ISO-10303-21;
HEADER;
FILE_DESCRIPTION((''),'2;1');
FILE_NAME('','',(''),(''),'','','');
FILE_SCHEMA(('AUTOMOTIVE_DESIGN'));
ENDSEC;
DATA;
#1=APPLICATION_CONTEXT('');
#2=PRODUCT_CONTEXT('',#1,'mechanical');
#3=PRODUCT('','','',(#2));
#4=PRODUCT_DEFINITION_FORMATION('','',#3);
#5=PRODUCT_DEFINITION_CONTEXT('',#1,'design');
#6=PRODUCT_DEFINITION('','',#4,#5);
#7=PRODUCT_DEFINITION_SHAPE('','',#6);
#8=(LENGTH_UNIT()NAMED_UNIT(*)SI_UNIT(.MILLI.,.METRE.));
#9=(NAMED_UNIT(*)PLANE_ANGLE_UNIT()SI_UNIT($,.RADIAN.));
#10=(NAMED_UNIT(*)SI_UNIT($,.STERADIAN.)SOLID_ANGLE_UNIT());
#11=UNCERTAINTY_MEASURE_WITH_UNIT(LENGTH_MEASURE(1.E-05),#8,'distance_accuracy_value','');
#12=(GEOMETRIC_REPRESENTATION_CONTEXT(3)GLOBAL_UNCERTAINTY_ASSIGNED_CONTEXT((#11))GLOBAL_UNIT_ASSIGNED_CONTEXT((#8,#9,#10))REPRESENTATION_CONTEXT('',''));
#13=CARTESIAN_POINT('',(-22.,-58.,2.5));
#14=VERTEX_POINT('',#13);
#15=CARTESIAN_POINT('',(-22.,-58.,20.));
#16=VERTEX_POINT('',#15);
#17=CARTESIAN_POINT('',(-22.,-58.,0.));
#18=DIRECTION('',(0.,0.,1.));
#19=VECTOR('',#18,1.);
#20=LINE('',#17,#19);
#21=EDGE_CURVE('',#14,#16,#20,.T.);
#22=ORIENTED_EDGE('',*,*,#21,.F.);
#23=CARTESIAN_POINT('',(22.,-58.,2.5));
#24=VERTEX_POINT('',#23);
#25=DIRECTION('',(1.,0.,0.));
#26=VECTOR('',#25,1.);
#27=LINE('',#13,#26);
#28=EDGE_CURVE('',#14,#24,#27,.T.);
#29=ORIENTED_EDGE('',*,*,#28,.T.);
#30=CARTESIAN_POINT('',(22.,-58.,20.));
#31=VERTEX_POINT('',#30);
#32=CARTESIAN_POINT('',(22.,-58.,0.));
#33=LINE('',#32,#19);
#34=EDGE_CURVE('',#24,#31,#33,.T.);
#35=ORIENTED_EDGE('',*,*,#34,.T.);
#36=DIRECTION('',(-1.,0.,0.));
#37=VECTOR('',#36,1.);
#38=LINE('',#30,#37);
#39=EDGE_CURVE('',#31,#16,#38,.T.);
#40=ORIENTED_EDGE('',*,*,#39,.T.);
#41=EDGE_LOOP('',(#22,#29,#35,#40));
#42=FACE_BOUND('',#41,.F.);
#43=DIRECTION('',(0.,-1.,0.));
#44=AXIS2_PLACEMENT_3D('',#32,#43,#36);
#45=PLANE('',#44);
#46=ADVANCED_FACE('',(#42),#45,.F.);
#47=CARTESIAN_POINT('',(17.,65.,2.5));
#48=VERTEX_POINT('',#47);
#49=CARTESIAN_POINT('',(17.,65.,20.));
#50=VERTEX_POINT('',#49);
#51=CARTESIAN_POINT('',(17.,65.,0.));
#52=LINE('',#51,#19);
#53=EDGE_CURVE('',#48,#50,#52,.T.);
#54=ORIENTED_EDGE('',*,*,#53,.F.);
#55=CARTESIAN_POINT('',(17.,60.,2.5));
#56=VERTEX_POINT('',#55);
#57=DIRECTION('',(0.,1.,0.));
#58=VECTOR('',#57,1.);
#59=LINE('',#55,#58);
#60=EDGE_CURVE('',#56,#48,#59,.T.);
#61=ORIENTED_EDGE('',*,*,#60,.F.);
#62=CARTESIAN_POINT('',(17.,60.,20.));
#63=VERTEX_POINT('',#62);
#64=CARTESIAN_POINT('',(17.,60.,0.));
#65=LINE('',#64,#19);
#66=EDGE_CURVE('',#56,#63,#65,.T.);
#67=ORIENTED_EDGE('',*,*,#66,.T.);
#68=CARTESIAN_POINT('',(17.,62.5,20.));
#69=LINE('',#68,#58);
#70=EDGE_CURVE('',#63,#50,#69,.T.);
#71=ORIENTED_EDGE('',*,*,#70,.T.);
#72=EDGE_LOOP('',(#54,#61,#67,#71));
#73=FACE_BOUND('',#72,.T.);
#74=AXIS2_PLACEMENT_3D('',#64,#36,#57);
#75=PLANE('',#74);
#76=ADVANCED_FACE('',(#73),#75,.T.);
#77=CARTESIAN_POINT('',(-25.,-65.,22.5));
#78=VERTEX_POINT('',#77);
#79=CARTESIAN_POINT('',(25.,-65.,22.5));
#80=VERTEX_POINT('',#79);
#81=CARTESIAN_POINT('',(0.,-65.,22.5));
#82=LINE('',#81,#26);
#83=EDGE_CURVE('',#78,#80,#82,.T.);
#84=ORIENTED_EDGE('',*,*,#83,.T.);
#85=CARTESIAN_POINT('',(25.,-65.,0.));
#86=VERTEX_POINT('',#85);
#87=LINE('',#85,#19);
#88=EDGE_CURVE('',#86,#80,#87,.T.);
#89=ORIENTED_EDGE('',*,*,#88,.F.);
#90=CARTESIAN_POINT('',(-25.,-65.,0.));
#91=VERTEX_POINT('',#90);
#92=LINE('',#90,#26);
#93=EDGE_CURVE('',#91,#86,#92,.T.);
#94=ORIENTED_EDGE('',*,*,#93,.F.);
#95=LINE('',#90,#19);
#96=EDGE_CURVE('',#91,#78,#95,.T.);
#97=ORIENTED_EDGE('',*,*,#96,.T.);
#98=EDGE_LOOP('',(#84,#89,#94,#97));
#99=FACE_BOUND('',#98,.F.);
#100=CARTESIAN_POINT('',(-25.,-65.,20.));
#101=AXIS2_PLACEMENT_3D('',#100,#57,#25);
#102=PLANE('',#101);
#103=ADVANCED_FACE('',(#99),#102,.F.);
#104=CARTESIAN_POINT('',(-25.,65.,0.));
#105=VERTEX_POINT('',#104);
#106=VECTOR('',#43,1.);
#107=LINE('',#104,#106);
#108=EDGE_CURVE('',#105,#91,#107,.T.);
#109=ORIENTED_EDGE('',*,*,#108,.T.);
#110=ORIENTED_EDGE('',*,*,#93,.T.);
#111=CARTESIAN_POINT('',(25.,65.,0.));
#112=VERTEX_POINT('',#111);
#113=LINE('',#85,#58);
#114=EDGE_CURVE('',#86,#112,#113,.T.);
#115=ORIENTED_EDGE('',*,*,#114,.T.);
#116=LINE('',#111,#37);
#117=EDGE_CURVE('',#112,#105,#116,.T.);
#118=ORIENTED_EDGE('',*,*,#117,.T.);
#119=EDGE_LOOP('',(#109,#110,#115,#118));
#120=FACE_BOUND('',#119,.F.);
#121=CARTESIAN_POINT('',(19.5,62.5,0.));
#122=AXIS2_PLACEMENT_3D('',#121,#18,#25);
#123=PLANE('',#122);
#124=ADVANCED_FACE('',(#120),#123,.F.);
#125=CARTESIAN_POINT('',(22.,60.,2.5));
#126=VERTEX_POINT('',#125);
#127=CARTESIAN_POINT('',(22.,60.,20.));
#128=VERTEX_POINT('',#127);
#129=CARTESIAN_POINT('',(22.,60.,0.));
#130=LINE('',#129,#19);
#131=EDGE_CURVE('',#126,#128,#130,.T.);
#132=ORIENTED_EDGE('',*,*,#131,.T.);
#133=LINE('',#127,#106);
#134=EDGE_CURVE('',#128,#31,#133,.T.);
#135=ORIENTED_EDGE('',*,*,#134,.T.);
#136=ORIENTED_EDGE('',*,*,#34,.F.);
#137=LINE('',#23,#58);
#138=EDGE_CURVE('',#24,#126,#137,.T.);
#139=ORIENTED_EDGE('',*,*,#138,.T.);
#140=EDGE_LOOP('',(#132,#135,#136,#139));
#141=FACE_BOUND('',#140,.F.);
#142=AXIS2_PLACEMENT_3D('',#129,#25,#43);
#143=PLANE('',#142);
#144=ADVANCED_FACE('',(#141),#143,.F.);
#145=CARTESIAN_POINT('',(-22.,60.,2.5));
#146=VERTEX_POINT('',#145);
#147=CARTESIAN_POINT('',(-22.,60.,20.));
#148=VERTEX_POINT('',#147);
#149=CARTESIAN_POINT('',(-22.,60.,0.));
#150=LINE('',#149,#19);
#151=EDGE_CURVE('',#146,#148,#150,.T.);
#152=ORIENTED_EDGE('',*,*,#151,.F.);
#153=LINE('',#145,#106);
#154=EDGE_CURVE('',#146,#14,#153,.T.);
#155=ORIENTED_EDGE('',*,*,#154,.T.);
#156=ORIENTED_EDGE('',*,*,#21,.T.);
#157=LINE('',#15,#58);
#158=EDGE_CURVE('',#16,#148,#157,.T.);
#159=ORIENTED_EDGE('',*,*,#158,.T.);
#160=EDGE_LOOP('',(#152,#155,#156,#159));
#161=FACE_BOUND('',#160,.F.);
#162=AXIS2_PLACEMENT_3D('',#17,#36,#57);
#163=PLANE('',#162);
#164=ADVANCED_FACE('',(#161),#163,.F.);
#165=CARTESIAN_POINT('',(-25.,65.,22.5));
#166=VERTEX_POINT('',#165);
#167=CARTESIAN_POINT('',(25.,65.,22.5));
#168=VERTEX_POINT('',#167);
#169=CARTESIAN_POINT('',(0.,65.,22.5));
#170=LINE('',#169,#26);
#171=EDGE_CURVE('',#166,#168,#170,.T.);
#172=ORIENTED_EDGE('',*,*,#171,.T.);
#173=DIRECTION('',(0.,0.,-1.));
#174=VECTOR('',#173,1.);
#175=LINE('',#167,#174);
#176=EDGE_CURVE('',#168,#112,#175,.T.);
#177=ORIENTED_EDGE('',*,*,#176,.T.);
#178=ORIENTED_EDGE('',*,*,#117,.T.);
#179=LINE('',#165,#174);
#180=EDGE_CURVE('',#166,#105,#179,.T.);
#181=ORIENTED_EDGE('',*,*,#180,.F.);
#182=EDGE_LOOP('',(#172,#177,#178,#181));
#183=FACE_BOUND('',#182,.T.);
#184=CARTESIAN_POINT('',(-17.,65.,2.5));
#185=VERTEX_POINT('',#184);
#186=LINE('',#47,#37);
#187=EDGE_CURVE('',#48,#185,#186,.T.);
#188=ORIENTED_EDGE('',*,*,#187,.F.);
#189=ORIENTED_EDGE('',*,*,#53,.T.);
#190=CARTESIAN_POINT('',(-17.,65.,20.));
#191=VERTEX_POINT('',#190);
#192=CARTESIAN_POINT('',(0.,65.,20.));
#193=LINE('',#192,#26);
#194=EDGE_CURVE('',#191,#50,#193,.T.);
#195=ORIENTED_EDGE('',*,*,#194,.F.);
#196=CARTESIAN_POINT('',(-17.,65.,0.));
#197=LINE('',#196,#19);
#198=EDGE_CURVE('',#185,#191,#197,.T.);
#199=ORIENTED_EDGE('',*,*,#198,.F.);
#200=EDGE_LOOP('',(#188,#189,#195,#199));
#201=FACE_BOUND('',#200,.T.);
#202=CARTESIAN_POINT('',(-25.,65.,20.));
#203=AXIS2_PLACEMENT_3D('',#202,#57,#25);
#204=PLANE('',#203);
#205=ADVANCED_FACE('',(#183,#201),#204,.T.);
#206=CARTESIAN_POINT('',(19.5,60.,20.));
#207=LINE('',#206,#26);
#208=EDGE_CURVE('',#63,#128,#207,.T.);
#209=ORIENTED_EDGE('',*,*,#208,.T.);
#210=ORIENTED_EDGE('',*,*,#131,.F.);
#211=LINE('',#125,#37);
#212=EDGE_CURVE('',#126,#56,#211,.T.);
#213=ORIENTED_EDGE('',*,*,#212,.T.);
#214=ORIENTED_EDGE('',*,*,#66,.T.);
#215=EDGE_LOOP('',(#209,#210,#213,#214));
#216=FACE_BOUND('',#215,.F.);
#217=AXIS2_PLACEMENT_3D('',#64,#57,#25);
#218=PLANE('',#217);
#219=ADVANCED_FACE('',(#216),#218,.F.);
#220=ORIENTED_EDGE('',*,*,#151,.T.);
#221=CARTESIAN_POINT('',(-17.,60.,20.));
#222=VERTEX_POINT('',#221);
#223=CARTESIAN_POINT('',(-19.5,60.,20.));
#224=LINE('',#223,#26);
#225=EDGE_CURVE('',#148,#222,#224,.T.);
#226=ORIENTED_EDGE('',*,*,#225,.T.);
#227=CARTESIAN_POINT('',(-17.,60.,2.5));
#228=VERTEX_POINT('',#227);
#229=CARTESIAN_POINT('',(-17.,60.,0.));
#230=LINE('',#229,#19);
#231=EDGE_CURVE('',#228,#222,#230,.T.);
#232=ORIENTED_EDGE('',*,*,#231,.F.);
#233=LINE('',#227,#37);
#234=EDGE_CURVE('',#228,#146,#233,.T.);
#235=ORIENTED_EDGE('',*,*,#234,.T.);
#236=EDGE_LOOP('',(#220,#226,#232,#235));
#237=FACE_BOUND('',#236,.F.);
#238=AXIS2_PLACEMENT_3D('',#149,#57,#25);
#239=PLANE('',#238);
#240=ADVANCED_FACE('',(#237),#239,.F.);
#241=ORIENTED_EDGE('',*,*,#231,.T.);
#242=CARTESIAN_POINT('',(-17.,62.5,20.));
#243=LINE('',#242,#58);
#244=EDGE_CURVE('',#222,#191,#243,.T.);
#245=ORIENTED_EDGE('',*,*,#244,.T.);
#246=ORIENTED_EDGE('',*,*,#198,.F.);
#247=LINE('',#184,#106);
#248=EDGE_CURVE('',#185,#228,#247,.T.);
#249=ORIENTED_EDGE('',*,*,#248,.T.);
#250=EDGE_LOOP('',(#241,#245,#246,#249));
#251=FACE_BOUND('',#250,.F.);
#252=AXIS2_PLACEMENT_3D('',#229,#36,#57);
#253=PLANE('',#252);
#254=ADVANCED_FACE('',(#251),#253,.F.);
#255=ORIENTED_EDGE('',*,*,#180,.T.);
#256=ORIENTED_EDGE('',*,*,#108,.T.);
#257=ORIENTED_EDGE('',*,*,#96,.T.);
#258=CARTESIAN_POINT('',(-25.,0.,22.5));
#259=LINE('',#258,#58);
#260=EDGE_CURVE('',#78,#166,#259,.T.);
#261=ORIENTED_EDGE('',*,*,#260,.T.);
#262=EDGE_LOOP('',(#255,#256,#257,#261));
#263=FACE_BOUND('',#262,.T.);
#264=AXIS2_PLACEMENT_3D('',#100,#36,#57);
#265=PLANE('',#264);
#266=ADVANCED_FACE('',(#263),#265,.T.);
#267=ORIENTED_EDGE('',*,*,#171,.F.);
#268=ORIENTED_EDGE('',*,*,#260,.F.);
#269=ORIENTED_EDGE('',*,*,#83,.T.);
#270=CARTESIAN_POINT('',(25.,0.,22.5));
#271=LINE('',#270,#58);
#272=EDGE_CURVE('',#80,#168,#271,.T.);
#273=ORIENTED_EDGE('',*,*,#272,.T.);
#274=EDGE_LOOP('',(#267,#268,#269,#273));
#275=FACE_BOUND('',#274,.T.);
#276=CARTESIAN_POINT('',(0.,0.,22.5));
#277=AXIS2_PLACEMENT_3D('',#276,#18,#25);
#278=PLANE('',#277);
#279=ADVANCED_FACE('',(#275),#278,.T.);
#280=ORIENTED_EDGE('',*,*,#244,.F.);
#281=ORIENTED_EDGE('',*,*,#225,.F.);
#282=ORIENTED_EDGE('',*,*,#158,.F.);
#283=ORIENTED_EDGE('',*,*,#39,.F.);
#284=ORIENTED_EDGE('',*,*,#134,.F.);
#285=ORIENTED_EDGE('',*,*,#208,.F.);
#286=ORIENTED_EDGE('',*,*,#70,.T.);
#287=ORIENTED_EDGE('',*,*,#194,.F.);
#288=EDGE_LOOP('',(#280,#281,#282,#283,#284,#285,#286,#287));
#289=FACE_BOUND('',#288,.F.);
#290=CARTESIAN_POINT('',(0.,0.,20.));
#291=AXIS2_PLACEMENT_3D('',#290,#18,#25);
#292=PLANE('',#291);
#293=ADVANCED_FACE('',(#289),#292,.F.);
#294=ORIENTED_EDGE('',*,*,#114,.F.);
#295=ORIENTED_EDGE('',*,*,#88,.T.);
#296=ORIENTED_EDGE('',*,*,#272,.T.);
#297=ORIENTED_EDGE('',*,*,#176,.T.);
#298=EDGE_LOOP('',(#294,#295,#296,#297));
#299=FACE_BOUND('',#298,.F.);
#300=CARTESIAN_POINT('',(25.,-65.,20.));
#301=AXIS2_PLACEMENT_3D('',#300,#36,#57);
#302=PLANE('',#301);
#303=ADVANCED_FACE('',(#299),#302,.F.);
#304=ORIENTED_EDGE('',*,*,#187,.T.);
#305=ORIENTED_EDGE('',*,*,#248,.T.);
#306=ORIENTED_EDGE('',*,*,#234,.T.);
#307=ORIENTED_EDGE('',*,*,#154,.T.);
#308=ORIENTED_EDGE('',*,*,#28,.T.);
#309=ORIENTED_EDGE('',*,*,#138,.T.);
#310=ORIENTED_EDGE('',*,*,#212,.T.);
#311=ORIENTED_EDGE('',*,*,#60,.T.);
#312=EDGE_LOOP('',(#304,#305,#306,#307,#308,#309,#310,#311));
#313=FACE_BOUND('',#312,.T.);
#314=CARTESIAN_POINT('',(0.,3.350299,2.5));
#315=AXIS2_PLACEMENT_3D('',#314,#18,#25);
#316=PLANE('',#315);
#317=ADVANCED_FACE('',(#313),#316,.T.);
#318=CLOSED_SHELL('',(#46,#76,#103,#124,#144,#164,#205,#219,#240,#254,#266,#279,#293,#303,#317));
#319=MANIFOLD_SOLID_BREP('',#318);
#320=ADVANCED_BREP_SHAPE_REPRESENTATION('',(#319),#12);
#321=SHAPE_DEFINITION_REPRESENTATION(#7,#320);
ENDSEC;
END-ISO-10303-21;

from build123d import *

# Parameters (mm, degrees)
F1_DEPTH = 2.5
F0_W     = 5
F0_H     = 5
F2_DEPTH = 20
F3_W     = 50
F3_H     = 130
F4_DEPTH = 2.5


with BuildPart() as f1:
    # F0 (on Top) → F1 (new body)
    with BuildSketch(Plane.XY):
        Polygon((17, 60), (17, 65), (-17, 65), (-17, 60), (-22, 60), (-22, -58), (22, -58), (22, 60), align=None)
    extrude(amount=F1_DEPTH)

    # F0 (on Top) → F2 (join)
    with BuildSketch(Plane.XY):
        with Locations((19.5, 62.5)):
            Rectangle(F0_W, F0_H)
        Polygon((25, -65), (25, 65), (22, 65), (22, 60), (22, -58), (-22, -58), (-22, 60), (-22, 65), (-25, 65), (-25, -65), align=None)
        with Locations((-19.5, 62.5)):
            Rectangle(F0_W, F0_H)
    extrude(amount=F2_DEPTH)

    # F3 (on face) → F4 (join)
    with BuildSketch(Plane.XY.offset(20)):
        Rectangle(F3_W, F3_H)
    extrude(amount=F4_DEPTH)


solid = f1.part
